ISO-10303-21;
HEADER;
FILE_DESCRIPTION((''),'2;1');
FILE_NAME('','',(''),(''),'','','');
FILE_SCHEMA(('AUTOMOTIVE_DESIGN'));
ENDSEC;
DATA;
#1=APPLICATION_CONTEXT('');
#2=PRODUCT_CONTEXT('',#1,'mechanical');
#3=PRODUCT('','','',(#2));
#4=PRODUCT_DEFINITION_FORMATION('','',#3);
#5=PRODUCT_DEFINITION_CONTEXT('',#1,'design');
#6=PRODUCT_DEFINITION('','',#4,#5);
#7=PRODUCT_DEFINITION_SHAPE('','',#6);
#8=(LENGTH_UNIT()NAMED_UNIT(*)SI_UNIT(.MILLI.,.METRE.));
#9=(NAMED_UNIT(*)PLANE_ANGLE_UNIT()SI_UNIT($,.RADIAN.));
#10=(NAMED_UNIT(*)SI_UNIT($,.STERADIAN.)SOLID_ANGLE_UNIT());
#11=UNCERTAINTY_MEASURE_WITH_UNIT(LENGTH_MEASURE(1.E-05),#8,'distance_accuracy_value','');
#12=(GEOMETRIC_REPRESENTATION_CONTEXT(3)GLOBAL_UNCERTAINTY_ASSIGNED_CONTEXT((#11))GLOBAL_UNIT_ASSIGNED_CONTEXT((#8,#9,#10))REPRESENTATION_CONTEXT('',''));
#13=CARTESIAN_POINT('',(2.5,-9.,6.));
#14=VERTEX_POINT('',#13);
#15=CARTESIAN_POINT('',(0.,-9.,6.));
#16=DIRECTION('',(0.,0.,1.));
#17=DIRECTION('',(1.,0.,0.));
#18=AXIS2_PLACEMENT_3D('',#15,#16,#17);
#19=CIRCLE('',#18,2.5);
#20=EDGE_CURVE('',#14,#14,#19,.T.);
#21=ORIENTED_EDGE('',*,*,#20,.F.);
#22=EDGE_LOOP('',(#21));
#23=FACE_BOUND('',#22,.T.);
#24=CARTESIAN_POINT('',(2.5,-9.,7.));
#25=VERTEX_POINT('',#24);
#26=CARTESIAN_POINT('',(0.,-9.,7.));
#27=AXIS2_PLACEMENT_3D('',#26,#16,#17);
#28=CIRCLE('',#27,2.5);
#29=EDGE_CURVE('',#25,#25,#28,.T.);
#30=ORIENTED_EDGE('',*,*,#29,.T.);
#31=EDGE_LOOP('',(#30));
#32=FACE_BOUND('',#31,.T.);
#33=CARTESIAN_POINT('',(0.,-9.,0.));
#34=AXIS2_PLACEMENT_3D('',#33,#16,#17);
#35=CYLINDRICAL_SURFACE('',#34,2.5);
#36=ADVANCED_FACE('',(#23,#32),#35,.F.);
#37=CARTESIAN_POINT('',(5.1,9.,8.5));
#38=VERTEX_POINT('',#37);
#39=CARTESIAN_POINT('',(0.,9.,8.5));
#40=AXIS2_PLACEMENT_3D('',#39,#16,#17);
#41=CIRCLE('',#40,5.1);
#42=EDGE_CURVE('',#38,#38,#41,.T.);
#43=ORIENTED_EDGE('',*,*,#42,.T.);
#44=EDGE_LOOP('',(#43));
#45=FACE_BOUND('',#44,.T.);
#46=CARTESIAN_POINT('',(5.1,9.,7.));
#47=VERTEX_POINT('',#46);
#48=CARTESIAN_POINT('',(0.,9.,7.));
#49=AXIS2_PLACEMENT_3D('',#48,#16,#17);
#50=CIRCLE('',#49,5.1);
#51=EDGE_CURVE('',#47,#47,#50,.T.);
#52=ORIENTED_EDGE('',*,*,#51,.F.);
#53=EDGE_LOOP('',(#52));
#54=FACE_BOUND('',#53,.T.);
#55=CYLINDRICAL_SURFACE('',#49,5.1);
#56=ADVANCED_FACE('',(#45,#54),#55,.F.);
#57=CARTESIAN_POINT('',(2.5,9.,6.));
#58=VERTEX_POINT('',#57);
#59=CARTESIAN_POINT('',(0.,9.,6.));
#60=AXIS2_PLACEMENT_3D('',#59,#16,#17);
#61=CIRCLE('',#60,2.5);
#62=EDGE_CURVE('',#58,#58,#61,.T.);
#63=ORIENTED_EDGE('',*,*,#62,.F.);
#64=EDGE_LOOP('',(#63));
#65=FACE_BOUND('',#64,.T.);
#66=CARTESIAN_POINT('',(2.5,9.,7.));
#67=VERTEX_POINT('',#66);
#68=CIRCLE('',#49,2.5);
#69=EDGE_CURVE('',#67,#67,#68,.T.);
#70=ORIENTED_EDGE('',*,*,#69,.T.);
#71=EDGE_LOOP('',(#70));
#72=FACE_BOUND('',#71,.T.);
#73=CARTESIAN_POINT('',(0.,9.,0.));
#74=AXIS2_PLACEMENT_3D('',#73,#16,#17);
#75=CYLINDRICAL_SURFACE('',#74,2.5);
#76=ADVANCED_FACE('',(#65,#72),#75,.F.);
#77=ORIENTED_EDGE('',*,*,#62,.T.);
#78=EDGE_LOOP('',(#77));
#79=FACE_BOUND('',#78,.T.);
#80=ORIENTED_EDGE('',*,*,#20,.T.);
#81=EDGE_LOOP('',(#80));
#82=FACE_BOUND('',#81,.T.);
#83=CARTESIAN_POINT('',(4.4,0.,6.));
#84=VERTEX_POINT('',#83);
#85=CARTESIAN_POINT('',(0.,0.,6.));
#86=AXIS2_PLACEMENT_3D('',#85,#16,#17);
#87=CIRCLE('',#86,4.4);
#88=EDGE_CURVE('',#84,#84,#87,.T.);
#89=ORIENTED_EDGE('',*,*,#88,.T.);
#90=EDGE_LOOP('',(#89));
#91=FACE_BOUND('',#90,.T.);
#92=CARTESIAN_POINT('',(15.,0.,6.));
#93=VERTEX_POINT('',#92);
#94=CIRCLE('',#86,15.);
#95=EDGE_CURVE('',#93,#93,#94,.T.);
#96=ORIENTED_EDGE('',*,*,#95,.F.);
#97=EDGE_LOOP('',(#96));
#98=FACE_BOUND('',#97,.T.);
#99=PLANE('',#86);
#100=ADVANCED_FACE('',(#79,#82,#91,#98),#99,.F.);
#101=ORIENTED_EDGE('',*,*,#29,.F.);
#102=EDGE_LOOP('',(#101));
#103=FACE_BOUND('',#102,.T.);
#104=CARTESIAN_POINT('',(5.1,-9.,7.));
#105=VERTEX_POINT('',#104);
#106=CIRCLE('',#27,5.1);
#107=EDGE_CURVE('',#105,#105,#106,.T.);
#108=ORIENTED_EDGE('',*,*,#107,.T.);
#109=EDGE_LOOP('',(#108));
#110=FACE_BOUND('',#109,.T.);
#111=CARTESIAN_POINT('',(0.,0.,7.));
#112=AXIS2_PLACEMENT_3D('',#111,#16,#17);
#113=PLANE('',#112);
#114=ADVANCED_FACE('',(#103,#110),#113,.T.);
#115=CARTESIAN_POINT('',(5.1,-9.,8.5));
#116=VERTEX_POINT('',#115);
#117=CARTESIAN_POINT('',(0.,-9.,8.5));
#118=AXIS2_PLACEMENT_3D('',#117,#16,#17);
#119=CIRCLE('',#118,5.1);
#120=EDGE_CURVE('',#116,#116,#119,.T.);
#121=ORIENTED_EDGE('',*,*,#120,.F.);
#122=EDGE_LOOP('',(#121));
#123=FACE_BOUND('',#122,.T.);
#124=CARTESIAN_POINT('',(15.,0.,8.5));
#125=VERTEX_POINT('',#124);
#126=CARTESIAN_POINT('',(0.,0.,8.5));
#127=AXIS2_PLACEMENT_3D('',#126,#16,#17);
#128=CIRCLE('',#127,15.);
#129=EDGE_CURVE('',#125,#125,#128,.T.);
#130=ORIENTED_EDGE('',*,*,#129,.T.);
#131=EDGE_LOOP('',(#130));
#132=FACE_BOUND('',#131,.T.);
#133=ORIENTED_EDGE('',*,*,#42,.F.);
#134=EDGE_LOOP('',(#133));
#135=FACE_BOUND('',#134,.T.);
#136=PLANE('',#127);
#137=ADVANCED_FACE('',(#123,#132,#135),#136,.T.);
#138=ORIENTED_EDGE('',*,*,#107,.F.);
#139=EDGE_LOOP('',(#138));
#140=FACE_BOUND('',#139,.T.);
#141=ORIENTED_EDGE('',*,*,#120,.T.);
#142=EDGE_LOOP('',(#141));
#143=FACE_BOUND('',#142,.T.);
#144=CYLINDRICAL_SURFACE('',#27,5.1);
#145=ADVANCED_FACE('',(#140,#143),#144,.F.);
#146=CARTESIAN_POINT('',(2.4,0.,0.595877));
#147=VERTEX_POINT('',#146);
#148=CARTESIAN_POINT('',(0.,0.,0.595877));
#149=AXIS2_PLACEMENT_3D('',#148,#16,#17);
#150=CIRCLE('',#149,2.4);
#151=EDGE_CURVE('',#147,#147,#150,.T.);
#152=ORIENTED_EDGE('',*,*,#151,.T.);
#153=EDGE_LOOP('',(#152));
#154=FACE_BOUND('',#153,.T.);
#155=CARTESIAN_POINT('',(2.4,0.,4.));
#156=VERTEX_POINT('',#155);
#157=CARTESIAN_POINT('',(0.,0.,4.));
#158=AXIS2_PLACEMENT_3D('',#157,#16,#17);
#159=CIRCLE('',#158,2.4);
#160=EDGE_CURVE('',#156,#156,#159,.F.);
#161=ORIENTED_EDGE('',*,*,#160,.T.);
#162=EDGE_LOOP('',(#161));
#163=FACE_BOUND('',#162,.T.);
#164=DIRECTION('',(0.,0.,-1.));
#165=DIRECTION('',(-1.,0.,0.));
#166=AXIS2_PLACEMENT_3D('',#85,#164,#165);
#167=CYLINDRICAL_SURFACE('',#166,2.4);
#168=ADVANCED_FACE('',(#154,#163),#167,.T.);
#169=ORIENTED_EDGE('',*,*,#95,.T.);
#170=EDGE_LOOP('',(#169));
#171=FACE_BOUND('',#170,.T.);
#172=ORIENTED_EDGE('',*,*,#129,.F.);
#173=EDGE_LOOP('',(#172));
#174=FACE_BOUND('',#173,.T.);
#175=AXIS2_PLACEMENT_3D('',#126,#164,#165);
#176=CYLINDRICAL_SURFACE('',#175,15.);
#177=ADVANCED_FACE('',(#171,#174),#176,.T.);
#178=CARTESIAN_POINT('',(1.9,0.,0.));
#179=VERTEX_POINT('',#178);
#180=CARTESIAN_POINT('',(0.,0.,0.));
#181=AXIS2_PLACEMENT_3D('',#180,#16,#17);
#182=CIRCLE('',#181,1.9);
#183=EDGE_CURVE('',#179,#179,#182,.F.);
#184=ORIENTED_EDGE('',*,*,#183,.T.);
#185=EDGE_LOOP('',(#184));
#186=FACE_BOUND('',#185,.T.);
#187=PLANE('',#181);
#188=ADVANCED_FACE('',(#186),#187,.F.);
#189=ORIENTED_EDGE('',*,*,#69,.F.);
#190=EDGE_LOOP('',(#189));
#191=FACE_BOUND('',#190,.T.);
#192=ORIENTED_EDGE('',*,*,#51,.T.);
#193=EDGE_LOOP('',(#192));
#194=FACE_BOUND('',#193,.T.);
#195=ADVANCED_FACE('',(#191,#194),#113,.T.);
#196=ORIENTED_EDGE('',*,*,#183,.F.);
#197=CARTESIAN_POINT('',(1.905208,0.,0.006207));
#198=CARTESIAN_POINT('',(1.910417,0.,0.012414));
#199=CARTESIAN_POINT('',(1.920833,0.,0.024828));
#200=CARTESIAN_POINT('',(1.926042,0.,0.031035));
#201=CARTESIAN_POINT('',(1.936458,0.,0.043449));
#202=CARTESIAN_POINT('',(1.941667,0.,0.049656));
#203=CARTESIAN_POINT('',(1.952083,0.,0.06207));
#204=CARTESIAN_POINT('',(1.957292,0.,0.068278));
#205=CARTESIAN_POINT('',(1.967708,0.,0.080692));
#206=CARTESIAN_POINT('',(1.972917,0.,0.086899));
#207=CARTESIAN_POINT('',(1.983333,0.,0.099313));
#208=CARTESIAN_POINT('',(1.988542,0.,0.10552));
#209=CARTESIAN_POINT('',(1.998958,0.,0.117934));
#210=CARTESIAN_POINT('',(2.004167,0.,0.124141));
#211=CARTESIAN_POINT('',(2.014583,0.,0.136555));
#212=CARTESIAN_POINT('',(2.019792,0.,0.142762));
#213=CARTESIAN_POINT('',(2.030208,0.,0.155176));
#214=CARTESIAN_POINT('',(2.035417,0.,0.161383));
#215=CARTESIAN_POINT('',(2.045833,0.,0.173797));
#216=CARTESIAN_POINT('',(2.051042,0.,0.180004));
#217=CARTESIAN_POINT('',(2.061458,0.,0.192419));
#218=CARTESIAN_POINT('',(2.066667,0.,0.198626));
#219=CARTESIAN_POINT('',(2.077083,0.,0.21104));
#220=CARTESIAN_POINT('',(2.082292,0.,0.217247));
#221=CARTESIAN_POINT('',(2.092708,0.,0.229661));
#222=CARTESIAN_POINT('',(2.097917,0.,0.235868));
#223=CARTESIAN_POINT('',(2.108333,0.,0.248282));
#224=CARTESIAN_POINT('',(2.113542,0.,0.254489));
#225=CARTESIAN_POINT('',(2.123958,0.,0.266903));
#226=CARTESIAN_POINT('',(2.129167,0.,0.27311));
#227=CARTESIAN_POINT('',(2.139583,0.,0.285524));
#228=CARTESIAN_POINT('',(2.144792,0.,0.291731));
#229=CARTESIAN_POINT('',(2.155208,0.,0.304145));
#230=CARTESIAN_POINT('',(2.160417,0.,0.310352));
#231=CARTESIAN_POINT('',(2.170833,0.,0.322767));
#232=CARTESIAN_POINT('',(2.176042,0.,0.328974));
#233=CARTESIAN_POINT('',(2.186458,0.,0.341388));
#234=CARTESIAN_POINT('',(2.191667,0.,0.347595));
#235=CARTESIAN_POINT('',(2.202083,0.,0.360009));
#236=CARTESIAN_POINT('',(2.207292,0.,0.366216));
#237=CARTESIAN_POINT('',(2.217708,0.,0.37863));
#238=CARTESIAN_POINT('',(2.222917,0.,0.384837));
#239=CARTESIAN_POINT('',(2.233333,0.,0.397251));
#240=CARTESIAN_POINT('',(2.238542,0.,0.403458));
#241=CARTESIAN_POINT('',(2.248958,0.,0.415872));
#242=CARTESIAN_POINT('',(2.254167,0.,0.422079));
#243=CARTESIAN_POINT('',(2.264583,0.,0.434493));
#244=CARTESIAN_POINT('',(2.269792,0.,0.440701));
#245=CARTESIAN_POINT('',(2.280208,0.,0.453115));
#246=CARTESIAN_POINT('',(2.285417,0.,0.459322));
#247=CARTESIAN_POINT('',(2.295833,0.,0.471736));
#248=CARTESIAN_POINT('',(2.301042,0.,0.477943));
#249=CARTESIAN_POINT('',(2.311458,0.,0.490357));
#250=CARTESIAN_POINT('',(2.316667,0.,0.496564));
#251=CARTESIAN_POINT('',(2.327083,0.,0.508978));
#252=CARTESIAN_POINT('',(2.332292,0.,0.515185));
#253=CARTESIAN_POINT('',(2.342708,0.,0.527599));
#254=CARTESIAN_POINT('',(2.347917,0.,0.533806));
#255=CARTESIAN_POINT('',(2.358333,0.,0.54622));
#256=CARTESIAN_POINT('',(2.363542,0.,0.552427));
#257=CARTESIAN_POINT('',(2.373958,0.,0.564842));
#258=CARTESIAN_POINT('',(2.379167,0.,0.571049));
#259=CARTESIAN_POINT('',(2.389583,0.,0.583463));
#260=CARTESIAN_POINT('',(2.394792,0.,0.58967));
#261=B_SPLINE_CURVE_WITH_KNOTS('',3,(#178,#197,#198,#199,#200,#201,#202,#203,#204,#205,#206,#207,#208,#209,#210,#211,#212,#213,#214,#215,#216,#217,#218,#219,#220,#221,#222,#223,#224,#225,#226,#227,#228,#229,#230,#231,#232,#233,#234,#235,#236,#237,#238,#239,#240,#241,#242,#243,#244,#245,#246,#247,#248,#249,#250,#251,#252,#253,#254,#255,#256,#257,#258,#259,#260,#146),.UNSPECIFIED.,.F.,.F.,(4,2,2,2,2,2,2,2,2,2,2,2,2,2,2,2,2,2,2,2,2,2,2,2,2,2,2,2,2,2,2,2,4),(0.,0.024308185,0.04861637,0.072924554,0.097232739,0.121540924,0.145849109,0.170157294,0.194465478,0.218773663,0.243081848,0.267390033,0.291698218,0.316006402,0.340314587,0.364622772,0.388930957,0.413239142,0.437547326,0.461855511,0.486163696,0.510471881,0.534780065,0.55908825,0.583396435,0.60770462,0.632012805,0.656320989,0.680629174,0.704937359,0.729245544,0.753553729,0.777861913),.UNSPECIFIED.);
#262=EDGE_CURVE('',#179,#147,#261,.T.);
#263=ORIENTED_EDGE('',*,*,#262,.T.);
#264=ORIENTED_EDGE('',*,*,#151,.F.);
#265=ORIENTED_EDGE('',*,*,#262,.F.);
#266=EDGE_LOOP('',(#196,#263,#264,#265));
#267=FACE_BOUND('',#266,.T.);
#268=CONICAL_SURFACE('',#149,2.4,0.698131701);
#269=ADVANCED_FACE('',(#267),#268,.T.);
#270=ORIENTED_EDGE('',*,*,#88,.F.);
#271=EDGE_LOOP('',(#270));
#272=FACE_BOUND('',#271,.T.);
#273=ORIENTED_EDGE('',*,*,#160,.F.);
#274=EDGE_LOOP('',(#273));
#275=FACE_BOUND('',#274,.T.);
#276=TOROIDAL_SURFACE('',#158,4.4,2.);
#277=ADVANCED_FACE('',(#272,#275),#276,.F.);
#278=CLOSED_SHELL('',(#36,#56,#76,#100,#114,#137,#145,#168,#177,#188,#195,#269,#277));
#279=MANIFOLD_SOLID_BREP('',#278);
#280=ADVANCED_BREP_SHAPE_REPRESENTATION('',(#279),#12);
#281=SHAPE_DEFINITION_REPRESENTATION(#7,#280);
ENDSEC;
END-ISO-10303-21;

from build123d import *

# Parameters (mm, degrees)
SKETCH2_R           = 2.4
BOSS_EXTRUDE1_DEPTH = 6
SKETCH3_R           = 15
BOSS_EXTRUDE2_DEPTH = 2.5
FILLET1_R           = 2
CUT_EXTRUDE1_DEPTH  = 1.5
SKETCH5_R           = 2.5
CUT_EXTRUDE2_DEPTH  = 23.338307904
CHAMFER1_SIZE       = 0.5
CHAMFER1_SIZE2      = 0.595876796


with BuildPart() as part:
    # Sketch2 → Boss-Extrude1 (new body)
    with BuildSketch(Plane.XY):
        Circle(SKETCH2_R)
    extrude(amount=BOSS_EXTRUDE1_DEPTH)

    # Sketch3 → Boss-Extrude2 (add)
    with BuildSketch(Plane.XY.offset(6)):
        Circle(SKETCH3_R)
    extrude(amount=BOSS_EXTRUDE2_DEPTH)

    # Fillet1
    fillet1_edges = [part.edges().sort_by_distance(p)[0] for p in [
        (-2.4, 0, 6),
    ]]
    fillet(fillet1_edges, radius=FILLET1_R)

    # Sketch4 → Cut-Extrude1 (cut)
    with BuildSketch(Plane.XY.offset(8.5)):
        with BuildLine():
            ThreePointArc((0, 14.1), (-5.1, 9), (0, 3.9))
            Line((0, 3.9), (0, 14.1))
        make_face()
        with BuildLine():
            Line((0, 14.1), (0, 3.9))
            ThreePointArc((0, 3.9), (3.606244584, 5.393755416), (5.1, 9))
            ThreePointArc((5.1, 9), (3.606244584, 12.606244584), (0, 14.1))
        make_face()
        with BuildLine():
            ThreePointArc((0, -3.9), (-5.1, -9), (0, -14.1))
            Line((0, -14.1), (0, -3.9))
        make_face()
        with BuildLine():
            Line((0, -3.9), (0, -14.1))
            ThreePointArc((0, -14.1), (3.606244584, -12.606244584), (5.1, -9))
            ThreePointArc((5.1, -9), (3.606244584, -5.393755416), (0, -3.9))
        make_face()
    extrude(amount=-CUT_EXTRUDE1_DEPTH, mode=Mode.SUBTRACT)

    # Sketch5 → Cut-Extrude2 (cut, through all)
    with BuildSketch(Plane.XY.offset(7)):
        with Locations((0, -9)):
            Circle(SKETCH5_R)
        with Locations((0, 9)):
            Circle(SKETCH5_R)
    extrude(amount=-CUT_EXTRUDE2_DEPTH, mode=Mode.SUBTRACT)

    # Chamfer1
    chamfer1_edges = [part.edges().sort_by_distance(p)[0] for p in [
        (-2.4, 0, 0),
    ]]
    chamfer1_side = [part.faces().sort_by_distance(p)[0] for p in [
        (0, 0, 0),
    ]]
    chamfer(chamfer1_edges, length=CHAMFER1_SIZE, length2=CHAMFER1_SIZE2, reference=chamfer1_side[0])


solid = part.part
